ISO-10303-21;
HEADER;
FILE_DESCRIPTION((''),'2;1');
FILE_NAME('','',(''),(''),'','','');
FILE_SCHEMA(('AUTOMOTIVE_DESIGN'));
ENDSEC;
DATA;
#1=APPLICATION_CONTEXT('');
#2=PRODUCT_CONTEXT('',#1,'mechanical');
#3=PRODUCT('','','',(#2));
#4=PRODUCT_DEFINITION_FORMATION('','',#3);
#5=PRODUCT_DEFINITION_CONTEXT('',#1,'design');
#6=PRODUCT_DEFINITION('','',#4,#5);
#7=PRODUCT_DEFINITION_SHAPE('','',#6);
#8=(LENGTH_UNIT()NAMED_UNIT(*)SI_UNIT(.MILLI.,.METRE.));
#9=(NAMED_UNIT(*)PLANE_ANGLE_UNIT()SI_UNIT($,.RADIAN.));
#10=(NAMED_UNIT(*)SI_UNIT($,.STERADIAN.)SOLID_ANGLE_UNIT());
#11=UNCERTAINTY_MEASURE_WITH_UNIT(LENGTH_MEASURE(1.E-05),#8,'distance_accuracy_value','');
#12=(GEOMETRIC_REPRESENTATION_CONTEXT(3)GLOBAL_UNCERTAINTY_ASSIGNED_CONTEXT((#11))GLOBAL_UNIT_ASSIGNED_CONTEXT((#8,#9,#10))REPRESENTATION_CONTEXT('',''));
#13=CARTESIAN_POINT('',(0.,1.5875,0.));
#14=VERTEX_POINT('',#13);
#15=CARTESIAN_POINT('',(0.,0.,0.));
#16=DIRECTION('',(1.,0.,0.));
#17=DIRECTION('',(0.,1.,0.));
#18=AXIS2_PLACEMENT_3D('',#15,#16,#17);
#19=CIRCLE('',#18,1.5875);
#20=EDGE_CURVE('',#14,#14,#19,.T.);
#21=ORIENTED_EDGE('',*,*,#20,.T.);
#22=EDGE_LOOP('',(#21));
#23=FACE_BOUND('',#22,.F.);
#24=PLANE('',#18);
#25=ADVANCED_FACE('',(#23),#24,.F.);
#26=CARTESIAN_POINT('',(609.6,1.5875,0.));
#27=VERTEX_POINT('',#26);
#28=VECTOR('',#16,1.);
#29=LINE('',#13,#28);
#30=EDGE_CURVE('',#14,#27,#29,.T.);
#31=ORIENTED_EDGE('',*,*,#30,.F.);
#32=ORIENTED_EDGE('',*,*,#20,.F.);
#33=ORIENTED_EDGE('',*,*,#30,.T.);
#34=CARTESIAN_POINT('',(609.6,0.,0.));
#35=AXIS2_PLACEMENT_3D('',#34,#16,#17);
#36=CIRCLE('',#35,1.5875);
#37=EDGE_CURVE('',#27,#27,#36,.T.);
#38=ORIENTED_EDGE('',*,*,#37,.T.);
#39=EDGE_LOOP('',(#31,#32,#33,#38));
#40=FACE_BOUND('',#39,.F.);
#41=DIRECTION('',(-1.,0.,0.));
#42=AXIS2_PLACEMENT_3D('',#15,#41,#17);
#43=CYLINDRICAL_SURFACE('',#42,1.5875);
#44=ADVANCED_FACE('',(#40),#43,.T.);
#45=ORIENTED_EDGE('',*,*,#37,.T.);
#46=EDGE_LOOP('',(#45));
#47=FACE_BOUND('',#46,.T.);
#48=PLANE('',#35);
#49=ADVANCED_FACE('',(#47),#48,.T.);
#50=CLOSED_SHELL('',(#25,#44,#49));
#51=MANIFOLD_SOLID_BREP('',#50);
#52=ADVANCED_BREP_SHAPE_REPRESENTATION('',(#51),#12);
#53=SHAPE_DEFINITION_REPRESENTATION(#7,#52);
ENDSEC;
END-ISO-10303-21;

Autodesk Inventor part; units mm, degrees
ref_plane "YZ Plane" through (0, 0, 0) normal (1, 0, 0) x (0, 1, 0)
ref_plane "XZ Plane" through (0, 0, 0) normal (0, 1, 0) x (-1, 0, 0)
ref_plane "XY Plane" through (0, 0, 0) normal (0, 0, 1) x (1, 0, 0)
sketch "Sketch1" plane through (0, 0, 0) normal (1, 0, 0) x (0, 1, 0)
  circle A0 centre (0, 0) radius 1.5875
  dimension "d0" = 3.175
extrude "Extrusion1" add sketch "Sketch1" along normal blind 609.6
thread "Thread1" size "5-40 UNC" class "2A" standard "ANSI Unified Screw Threads" full length
properties part number "2ftThreadedRodThread_5_40" material "Stainless Steel, Polished"
